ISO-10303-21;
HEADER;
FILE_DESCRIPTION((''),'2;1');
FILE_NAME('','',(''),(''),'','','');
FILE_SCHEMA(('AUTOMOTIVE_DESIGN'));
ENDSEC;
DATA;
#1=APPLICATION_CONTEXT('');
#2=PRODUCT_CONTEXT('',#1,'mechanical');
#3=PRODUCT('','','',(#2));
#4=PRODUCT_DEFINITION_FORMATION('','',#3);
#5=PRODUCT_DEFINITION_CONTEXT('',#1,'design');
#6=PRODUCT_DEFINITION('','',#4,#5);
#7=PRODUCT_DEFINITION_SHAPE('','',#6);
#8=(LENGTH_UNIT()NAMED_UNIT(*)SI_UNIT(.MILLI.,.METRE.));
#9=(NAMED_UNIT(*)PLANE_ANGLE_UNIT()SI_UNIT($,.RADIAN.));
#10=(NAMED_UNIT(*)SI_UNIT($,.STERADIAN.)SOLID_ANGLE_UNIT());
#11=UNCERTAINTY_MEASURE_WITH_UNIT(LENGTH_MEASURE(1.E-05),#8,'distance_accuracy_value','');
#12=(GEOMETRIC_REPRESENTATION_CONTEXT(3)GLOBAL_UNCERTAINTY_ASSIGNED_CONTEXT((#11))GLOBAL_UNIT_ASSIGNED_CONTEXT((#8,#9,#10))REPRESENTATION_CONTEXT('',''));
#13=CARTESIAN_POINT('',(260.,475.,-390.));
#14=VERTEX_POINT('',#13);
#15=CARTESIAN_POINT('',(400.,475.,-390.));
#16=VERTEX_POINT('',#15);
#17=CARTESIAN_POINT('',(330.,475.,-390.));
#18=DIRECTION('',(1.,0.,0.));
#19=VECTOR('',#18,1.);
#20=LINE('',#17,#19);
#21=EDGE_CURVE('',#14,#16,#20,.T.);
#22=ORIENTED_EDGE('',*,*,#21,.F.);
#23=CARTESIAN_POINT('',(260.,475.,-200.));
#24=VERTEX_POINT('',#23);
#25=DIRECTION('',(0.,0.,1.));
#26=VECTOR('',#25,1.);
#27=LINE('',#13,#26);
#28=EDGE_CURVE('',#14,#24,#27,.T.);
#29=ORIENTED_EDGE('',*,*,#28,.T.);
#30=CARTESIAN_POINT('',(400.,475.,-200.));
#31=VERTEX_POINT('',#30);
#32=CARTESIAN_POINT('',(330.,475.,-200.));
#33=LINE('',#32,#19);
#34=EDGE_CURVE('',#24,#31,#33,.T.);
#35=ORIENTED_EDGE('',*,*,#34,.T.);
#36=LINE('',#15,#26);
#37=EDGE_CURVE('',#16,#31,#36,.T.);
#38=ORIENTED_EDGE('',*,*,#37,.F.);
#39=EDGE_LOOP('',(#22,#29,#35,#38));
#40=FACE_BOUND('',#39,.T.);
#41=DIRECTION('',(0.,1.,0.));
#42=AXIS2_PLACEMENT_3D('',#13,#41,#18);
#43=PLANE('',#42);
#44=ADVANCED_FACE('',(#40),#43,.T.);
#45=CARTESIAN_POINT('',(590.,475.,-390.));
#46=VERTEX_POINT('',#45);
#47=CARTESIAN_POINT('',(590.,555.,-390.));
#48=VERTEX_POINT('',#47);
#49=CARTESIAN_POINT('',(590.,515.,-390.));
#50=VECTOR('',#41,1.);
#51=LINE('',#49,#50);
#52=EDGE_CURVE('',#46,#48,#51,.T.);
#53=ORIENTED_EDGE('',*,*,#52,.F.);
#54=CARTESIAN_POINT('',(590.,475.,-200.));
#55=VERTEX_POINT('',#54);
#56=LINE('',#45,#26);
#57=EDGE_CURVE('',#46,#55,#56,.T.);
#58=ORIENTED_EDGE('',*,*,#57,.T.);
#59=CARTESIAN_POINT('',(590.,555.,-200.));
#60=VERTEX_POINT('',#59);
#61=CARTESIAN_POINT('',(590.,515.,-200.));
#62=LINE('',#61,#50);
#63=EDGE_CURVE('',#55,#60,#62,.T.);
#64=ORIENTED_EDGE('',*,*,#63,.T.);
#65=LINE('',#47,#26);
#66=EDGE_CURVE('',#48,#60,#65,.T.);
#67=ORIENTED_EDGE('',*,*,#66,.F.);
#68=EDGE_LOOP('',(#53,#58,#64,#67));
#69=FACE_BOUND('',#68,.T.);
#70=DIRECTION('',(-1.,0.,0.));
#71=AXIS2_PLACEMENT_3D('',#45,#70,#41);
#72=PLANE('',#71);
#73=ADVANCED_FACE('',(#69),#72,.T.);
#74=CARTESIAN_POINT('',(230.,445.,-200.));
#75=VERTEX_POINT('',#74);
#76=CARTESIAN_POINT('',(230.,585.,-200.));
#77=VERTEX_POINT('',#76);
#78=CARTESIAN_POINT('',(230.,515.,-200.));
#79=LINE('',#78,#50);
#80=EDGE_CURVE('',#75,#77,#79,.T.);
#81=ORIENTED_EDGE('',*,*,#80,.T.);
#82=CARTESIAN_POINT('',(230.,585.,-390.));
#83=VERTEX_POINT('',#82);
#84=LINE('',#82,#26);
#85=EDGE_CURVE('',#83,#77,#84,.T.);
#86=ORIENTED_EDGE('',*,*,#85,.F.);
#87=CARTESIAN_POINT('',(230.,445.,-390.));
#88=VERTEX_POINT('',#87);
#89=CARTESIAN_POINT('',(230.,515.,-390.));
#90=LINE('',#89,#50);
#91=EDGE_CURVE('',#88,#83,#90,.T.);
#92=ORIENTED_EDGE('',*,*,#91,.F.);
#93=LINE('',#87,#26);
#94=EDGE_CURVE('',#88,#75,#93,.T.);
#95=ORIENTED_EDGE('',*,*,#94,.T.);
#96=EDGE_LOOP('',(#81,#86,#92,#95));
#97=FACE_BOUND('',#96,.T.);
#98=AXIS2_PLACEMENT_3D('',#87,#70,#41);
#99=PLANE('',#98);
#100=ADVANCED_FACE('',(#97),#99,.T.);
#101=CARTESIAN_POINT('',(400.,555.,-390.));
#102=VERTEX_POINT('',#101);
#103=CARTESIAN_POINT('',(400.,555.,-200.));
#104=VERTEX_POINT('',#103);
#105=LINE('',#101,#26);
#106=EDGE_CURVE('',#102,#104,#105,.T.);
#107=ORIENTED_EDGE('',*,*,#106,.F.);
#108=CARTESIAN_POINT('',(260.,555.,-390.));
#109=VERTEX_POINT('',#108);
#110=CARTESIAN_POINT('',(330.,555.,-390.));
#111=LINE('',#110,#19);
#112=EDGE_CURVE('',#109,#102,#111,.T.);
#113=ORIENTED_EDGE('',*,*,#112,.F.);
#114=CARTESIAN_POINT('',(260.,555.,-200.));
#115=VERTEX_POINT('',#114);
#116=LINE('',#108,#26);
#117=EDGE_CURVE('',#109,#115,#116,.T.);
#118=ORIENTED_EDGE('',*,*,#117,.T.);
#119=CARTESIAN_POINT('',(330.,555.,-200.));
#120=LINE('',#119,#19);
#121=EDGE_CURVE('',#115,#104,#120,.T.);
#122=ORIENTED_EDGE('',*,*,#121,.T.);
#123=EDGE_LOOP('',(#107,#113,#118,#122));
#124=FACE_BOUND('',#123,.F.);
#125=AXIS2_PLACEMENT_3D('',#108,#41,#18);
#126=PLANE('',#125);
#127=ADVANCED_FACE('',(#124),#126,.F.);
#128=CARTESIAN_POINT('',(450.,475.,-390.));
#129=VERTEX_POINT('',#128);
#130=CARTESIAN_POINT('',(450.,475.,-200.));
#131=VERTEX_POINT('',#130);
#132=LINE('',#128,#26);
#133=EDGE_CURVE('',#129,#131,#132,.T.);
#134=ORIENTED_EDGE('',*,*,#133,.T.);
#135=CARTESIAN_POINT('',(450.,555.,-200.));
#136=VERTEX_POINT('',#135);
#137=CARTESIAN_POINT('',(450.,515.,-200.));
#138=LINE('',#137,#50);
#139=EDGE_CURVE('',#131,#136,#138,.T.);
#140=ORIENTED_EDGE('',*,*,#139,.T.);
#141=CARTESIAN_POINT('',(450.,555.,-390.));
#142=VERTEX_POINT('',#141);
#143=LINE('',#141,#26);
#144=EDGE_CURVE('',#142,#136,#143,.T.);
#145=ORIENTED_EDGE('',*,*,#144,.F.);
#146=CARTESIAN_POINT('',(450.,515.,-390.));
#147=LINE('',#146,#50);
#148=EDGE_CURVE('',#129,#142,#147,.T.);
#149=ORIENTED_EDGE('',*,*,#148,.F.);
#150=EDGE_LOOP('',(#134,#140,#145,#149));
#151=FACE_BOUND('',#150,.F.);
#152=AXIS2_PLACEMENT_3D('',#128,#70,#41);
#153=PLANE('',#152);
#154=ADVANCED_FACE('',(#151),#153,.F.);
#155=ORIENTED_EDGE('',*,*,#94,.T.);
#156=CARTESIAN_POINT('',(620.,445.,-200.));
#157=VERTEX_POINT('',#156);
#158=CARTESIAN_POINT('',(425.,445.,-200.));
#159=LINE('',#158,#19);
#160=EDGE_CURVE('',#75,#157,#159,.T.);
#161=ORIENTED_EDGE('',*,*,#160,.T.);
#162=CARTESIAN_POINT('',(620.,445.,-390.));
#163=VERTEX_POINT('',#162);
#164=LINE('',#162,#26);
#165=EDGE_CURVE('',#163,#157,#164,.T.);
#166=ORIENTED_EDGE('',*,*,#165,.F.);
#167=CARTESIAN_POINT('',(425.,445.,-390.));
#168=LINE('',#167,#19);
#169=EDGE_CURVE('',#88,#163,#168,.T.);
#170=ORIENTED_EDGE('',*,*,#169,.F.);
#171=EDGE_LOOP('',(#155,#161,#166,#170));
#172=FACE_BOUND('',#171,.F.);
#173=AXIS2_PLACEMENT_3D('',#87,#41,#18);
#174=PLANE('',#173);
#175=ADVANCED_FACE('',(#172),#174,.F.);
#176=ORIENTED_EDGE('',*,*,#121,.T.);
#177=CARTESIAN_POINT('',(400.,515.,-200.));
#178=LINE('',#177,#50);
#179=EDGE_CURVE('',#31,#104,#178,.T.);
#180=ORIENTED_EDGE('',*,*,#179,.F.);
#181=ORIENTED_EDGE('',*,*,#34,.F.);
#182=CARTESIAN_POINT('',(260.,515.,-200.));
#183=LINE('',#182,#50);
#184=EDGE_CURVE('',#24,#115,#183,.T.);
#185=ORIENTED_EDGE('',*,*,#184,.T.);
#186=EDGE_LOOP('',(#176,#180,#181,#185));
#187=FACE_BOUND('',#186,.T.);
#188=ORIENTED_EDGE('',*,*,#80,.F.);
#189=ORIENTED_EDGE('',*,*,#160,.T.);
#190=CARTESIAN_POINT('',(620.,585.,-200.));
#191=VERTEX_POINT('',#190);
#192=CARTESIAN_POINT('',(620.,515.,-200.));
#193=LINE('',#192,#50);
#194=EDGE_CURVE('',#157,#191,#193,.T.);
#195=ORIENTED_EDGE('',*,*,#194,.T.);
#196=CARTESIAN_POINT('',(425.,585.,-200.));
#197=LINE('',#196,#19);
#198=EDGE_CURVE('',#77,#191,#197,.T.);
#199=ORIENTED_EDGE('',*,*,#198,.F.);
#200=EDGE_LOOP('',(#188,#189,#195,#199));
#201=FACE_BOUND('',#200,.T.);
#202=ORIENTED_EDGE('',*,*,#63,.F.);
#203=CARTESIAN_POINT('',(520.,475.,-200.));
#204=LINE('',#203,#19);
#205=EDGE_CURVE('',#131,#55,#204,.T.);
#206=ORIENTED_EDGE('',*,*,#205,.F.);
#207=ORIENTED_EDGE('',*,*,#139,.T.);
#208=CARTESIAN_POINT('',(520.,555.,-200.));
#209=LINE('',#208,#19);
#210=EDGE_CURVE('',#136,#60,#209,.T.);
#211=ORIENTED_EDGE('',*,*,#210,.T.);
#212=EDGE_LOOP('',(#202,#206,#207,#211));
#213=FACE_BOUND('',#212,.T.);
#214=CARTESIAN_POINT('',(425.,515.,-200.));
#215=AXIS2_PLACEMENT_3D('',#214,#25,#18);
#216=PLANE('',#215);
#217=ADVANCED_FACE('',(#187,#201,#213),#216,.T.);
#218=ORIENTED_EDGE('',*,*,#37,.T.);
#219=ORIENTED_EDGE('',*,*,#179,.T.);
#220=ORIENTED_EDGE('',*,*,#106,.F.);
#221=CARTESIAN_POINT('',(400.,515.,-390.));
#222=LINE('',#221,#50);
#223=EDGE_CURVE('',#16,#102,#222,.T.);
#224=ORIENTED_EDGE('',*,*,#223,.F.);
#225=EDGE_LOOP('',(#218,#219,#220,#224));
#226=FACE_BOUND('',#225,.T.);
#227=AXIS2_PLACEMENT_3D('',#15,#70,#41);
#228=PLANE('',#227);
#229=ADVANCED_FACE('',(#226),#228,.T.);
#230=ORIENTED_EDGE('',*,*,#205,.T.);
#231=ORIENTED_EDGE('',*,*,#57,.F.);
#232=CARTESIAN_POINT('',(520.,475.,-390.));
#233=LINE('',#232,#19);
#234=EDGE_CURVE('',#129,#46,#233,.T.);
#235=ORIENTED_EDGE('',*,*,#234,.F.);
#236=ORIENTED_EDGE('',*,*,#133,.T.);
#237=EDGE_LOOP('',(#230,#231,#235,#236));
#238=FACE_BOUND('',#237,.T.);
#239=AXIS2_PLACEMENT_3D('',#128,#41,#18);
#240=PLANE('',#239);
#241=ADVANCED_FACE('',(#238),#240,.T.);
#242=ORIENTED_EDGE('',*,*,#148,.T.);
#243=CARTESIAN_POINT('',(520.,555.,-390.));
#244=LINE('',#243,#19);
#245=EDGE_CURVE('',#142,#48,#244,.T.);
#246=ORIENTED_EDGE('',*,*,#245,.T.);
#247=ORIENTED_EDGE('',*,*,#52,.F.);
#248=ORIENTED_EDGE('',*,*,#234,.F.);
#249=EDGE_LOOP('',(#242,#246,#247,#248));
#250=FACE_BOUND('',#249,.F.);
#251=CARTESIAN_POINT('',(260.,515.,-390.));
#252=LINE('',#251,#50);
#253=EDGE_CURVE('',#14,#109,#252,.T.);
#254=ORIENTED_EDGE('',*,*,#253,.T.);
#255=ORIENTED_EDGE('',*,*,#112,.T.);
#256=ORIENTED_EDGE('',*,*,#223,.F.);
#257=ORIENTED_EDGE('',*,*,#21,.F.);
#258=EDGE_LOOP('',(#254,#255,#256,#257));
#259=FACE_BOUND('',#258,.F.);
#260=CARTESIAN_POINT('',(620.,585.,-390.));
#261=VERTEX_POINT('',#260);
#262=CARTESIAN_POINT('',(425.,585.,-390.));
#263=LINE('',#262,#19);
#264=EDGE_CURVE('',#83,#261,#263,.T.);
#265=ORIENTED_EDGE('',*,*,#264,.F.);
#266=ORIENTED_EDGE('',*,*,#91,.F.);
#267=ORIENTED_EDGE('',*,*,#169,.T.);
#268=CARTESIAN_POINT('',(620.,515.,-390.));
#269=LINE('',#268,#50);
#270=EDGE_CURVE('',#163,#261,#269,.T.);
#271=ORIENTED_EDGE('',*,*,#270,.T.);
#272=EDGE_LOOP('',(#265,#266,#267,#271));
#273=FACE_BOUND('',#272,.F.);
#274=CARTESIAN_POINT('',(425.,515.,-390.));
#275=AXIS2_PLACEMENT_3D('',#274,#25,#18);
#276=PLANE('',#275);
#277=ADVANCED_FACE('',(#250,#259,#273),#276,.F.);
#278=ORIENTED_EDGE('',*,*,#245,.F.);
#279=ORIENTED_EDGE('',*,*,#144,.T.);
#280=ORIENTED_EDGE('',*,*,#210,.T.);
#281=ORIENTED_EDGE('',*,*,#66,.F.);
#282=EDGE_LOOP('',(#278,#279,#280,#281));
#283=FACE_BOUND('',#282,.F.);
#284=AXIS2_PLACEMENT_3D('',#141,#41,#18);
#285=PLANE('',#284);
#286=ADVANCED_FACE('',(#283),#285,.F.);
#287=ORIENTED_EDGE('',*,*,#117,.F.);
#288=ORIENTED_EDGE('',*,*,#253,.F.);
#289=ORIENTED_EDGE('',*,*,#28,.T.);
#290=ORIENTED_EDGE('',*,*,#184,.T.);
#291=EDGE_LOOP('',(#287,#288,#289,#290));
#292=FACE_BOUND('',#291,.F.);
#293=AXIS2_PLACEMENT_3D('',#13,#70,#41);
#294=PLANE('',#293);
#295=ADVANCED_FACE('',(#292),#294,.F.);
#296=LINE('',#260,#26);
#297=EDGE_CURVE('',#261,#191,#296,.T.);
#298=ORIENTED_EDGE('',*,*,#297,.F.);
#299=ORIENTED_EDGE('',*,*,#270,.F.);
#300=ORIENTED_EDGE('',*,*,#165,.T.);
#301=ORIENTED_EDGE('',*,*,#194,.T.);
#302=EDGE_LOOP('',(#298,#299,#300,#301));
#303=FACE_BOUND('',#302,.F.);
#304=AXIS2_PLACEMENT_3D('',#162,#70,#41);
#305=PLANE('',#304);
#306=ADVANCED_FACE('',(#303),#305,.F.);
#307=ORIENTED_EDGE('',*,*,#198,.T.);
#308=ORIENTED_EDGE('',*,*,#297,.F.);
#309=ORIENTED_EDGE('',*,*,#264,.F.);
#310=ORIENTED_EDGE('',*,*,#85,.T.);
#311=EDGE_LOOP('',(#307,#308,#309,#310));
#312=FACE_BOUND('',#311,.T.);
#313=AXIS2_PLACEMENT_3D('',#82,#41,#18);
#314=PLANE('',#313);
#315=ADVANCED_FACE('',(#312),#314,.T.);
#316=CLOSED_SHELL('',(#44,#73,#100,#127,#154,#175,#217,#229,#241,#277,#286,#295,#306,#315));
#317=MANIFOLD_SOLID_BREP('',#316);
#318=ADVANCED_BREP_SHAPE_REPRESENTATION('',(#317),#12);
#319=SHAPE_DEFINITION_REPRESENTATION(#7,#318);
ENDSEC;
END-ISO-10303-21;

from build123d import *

# Parameters (mm, degrees)
BOX025_W     = 140
BOX025_H     = 80
BOX025_DEPTH = 190
BOX023_W     = 140
BOX023_H     = 80
BOX023_DEPTH = 190
BOX024_W     = 390
BOX024_H     = 140
BOX024_DEPTH = 190


with BuildPart() as cube015:
    # Box025 → Box025 (new body)
    with BuildSketch(Plane(origin=(220, 30, 0), x_dir=(1, 0, 0), z_dir=(0, 0, 1))):
        with Locations((70, 40)):
            Rectangle(BOX025_W, BOX025_H)
    extrude(amount=BOX025_DEPTH)


with BuildPart() as fusion007:
    # Box023 → Box023 (new body)
    with BuildSketch(Plane(origin=(30, 30, 0), x_dir=(1, 0, 0), z_dir=(0, 0, 1))):
        with Locations((70, 40)):
            Rectangle(BOX023_W, BOX023_H)
    extrude(amount=BOX023_DEPTH)

    # Fusion007: union Cube015
    add(cube015.part)


with BuildPart() as cut004:
    # Box024 → Box024 (new body)
    with BuildSketch(Plane.XY):
        with Locations((195, 70)):
            Rectangle(BOX024_W, BOX024_H)
    extrude(amount=BOX024_DEPTH)

    # Cut004: cut Fusion007
    add(fusion007.part, mode=Mode.SUBTRACT)


with BuildPart() as cut004_1:
    # Cut004 placement: moved
    add(cut004.part.moved(Location((230, 445, -390))))


solid = cut004_1.part
